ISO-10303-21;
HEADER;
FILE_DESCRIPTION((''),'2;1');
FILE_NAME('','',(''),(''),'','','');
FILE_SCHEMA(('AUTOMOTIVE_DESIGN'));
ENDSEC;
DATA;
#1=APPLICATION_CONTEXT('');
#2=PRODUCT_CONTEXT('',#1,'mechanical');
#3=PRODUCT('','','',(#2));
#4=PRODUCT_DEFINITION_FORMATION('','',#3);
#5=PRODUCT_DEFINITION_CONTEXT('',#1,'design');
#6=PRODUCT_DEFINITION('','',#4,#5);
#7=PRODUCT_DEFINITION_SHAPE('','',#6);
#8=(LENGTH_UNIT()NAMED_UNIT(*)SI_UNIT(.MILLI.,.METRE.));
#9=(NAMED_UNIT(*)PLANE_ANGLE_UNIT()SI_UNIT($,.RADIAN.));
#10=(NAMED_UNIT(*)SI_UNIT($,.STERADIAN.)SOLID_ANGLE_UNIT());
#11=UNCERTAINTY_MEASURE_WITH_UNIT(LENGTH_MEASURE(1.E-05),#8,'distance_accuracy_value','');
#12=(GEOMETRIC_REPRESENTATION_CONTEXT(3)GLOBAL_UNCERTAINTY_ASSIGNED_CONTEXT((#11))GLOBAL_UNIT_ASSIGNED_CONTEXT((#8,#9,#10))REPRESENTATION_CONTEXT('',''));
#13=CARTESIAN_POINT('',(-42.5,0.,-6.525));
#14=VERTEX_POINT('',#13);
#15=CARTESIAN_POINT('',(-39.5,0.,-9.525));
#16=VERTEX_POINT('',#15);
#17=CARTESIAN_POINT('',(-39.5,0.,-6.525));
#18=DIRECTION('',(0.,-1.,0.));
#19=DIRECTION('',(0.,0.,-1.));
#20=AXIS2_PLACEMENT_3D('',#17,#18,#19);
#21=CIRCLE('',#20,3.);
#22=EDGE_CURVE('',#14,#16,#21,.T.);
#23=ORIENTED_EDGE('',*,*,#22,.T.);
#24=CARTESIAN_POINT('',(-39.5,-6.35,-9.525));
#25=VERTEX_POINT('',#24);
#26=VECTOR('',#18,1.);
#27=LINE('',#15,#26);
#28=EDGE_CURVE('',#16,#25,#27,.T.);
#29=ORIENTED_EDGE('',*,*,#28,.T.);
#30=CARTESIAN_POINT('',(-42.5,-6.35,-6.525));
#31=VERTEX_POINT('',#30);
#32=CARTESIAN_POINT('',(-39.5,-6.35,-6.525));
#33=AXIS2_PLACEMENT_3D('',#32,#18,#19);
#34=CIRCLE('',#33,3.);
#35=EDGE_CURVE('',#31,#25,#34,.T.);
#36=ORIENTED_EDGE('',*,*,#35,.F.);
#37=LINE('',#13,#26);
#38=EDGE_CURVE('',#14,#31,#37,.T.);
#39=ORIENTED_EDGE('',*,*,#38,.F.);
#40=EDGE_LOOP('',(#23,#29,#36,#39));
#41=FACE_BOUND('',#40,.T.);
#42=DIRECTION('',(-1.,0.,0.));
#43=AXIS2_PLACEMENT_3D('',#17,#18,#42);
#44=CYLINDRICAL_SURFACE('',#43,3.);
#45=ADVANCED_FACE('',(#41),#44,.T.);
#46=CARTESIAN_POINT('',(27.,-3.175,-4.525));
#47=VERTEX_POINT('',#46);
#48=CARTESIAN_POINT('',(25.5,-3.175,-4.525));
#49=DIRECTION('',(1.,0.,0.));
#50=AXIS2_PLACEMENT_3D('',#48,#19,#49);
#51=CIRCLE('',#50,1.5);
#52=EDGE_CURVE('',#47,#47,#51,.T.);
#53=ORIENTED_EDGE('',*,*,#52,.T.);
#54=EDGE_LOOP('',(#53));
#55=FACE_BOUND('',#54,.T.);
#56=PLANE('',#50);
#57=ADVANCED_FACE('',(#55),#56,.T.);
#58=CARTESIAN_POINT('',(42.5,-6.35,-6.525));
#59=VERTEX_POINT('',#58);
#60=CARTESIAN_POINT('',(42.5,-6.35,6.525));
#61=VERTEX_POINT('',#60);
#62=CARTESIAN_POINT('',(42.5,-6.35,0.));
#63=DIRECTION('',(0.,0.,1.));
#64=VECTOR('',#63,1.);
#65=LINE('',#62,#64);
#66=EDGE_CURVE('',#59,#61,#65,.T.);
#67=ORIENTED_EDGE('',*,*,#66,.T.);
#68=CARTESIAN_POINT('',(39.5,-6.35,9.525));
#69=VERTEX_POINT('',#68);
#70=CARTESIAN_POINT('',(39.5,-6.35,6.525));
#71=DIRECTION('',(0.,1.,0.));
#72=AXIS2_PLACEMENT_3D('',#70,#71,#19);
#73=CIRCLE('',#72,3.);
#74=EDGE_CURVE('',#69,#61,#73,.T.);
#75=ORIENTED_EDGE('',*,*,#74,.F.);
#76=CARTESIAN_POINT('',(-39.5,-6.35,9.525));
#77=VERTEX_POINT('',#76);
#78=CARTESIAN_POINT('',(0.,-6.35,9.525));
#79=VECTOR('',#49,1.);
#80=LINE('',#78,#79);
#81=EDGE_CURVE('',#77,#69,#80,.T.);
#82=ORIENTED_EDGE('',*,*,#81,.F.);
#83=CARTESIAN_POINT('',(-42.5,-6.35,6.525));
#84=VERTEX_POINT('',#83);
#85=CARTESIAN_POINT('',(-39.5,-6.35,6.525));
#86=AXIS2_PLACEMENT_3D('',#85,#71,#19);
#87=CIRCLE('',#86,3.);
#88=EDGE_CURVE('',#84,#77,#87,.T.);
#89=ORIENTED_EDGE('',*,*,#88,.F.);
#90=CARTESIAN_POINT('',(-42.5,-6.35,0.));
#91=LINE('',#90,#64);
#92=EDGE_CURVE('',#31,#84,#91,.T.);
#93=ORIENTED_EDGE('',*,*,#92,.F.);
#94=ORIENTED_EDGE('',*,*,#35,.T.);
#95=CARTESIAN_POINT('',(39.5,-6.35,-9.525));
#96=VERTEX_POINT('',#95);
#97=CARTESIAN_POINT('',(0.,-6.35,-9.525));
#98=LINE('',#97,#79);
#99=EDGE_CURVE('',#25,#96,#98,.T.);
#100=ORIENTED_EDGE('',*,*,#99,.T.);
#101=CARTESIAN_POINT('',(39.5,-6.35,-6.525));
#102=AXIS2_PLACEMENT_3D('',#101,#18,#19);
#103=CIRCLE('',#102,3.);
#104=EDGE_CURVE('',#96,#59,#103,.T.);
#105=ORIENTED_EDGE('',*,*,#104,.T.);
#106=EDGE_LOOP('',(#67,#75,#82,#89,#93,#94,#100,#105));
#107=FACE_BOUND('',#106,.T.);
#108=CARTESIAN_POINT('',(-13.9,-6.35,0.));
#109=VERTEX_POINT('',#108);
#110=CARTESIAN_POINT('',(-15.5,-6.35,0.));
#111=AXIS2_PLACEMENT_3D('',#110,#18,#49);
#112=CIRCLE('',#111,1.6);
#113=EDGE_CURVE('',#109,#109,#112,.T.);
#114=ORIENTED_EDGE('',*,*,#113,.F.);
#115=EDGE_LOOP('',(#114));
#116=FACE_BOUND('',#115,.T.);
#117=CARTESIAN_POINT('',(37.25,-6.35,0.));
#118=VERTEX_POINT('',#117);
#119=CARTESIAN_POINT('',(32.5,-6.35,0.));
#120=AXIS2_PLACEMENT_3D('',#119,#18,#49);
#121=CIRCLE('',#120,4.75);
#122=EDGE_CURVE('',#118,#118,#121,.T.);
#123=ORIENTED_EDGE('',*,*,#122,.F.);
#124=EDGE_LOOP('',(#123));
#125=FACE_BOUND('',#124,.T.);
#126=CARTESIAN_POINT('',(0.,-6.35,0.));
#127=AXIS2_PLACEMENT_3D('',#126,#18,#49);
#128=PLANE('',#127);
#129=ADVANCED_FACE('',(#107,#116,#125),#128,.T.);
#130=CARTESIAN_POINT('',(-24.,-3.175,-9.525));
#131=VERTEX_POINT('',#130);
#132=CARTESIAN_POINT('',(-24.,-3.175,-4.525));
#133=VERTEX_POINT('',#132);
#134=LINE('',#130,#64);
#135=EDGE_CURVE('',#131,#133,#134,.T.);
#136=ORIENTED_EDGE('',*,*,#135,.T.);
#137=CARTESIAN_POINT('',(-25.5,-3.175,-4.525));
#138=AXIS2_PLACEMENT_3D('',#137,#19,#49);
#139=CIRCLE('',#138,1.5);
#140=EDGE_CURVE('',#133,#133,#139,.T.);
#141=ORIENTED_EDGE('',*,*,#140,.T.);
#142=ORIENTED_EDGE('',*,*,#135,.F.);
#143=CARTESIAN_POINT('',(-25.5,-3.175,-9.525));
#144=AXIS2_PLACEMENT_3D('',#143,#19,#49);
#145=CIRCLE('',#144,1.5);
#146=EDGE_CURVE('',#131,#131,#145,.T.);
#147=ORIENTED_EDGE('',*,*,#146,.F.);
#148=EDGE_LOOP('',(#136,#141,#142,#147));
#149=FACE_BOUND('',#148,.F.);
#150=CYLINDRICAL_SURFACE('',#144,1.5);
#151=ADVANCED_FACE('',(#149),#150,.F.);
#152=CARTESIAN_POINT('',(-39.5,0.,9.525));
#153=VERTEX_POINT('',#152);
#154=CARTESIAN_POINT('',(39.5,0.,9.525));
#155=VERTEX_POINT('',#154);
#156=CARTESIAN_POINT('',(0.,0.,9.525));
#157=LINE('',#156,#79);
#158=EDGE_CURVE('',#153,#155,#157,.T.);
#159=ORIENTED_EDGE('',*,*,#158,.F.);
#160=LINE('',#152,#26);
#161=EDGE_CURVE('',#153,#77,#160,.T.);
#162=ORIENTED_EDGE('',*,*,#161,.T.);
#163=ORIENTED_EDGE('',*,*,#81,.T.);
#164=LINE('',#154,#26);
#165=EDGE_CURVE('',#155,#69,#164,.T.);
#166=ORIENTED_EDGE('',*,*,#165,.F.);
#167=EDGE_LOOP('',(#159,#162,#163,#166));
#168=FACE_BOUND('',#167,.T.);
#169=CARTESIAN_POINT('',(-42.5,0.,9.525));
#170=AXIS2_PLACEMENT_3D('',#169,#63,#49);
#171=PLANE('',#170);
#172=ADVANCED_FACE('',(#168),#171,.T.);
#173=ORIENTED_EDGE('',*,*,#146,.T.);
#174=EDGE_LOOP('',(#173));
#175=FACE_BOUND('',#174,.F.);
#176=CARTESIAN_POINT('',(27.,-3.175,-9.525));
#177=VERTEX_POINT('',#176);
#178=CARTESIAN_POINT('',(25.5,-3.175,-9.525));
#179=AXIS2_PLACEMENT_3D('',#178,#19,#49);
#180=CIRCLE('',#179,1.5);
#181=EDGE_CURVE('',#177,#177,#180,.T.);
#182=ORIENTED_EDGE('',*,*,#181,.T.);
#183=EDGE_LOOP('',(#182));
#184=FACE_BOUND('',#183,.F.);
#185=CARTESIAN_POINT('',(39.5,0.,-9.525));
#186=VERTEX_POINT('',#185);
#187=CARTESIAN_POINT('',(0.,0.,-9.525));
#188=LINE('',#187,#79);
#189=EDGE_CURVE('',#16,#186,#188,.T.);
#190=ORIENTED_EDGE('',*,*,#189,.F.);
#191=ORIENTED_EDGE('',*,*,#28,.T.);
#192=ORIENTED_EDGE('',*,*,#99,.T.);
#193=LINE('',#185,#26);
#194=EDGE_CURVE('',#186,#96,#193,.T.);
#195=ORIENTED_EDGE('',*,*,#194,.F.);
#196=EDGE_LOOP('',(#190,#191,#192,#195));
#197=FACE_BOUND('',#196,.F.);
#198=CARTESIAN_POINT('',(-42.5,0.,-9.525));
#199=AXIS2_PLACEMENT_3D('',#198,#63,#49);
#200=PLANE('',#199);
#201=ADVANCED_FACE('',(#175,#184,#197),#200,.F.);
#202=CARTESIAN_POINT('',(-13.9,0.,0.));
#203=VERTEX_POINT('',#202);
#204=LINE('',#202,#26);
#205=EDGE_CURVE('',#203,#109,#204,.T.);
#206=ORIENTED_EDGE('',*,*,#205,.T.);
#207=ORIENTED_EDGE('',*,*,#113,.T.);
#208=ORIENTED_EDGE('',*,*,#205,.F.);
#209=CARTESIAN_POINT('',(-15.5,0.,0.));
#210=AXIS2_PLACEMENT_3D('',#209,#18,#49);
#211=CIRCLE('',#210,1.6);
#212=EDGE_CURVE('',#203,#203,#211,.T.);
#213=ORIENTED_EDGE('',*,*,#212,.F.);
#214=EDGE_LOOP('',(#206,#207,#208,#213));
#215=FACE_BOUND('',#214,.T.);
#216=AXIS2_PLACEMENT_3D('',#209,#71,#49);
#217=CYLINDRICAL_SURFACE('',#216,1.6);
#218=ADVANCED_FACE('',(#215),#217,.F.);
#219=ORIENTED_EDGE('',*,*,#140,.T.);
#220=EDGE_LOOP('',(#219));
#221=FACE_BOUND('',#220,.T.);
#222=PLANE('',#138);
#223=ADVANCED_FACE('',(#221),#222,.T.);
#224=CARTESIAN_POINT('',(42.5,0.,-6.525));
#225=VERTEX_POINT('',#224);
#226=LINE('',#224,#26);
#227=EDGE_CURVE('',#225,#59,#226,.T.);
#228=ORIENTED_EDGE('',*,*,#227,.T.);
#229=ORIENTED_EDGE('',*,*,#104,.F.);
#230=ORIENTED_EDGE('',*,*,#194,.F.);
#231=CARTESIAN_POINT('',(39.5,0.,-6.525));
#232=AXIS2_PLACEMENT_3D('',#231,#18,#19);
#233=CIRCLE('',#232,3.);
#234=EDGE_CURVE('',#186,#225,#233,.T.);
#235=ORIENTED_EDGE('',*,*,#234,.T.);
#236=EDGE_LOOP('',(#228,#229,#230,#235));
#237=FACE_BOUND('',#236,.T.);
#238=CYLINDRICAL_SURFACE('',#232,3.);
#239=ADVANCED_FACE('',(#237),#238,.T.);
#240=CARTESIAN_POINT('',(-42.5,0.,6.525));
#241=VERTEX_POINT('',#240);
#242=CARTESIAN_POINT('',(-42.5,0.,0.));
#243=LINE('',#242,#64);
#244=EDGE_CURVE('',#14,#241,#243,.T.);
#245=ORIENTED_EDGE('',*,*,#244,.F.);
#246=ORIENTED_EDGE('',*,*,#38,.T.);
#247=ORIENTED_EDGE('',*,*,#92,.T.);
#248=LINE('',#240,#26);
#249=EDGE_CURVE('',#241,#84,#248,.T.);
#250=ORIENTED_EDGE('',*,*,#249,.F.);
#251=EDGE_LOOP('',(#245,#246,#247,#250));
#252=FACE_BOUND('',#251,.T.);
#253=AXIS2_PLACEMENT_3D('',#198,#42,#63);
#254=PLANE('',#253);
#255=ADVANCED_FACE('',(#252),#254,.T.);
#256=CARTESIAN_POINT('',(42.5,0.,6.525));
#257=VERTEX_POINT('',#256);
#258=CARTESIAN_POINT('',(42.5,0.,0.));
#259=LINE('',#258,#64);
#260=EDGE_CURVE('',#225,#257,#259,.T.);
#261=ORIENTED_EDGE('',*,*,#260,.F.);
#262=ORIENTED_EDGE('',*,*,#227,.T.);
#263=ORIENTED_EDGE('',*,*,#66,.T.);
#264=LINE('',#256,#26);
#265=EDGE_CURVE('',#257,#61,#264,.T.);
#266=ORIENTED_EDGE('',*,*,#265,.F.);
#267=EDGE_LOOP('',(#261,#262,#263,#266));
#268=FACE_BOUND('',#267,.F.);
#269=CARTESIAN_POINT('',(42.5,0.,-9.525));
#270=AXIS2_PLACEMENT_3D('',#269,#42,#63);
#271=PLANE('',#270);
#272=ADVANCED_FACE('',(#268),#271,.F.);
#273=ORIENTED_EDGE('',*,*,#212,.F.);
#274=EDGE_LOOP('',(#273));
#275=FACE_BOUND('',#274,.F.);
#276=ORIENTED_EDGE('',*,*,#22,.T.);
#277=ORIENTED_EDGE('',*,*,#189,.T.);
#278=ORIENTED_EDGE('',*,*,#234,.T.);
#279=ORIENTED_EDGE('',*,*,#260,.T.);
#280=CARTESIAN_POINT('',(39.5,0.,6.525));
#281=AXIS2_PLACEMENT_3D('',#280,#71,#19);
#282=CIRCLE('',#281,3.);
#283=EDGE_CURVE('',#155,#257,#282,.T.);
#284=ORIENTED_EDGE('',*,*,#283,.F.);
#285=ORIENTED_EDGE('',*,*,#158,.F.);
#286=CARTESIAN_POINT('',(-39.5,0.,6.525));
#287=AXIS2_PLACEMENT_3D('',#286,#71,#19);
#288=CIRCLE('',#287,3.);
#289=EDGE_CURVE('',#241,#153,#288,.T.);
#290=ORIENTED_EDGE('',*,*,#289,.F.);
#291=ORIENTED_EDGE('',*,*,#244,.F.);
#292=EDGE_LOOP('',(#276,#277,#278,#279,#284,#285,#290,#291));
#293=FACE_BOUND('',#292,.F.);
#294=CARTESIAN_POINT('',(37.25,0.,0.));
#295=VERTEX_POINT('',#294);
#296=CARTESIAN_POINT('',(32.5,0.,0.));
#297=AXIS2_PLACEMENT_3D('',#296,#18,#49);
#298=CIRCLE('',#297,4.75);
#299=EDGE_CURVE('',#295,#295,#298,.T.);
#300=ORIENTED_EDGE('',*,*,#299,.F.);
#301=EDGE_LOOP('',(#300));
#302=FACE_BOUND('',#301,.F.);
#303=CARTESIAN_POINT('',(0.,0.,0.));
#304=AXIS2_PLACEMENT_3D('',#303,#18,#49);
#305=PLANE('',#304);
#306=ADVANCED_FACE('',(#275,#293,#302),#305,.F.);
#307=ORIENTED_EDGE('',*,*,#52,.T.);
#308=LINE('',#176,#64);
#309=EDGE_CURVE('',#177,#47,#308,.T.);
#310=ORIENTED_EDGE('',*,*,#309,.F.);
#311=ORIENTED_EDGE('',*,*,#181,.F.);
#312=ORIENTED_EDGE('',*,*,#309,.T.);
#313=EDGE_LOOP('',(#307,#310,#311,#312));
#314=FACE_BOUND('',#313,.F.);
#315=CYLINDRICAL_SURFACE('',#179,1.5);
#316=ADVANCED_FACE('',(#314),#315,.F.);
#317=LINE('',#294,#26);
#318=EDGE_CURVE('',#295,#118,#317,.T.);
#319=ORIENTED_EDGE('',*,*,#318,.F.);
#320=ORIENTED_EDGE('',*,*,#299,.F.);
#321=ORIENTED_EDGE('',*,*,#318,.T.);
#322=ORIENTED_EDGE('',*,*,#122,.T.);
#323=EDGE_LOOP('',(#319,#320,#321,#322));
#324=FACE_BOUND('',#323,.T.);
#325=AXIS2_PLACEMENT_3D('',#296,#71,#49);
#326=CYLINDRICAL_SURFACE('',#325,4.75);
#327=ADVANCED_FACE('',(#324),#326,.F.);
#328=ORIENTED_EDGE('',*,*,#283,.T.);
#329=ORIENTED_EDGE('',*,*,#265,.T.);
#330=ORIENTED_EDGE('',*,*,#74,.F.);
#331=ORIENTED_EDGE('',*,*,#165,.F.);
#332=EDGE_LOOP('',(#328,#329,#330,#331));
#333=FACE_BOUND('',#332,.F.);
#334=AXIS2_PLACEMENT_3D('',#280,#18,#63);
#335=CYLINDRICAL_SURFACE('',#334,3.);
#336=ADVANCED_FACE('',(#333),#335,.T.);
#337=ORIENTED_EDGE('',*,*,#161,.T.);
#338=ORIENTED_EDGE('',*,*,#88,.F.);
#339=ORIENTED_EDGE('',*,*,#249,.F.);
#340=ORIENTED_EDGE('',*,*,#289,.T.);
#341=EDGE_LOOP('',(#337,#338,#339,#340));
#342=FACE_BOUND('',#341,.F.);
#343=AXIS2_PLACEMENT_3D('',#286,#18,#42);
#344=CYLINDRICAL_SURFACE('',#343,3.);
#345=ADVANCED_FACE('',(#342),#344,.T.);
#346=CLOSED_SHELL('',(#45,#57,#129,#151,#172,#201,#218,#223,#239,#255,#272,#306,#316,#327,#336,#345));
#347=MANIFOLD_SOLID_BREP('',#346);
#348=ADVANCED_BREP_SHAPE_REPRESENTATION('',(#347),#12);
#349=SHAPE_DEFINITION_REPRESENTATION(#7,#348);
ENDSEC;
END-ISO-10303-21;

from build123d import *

# Parameters (mm, degrees)
F0_W     = 85
F0_H     = 19.05
F0_R     = 1.6
F0_R_2   = 4.75
F1_DEPTH = 6.35
F2_R     = 1.5
F3_DEPTH = 5
F4_R     = 3


with BuildPart() as f1:
    # F0 (on Front) → F1 (new body)
    with BuildSketch(Plane.XZ):
        Rectangle(F0_W, F0_H)
        with Locations((-15.5, 0)):
            Circle(F0_R, mode=Mode.SUBTRACT)
        with Locations((32.5, 0)):
            Circle(F0_R_2, mode=Mode.SUBTRACT)
    extrude(amount=F1_DEPTH)

    # F2 (on face) → F3 (cut)
    with BuildSketch(Plane(origin=(0, 0, -9.525), x_dir=(1, 0, 0), z_dir=(0, 0, -1))):
        with Locations((-25.5, 3.175)):
            Circle(F2_R)
        with Locations((25.5, 3.175)):
            Circle(F2_R)
    extrude(amount=-F3_DEPTH, mode=Mode.SUBTRACT)

    # F4
    f4_edges = [f1.edges().sort_by_distance(p)[0] for p in [
        (-42.5, -3.175, -9.525),
        (42.5, -3.175, -9.525),
        (42.5, -3.175, 9.525),
        (-42.5, -3.175, 9.525),
    ]]
    fillet(f4_edges, radius=F4_R)


solid = f1.part
